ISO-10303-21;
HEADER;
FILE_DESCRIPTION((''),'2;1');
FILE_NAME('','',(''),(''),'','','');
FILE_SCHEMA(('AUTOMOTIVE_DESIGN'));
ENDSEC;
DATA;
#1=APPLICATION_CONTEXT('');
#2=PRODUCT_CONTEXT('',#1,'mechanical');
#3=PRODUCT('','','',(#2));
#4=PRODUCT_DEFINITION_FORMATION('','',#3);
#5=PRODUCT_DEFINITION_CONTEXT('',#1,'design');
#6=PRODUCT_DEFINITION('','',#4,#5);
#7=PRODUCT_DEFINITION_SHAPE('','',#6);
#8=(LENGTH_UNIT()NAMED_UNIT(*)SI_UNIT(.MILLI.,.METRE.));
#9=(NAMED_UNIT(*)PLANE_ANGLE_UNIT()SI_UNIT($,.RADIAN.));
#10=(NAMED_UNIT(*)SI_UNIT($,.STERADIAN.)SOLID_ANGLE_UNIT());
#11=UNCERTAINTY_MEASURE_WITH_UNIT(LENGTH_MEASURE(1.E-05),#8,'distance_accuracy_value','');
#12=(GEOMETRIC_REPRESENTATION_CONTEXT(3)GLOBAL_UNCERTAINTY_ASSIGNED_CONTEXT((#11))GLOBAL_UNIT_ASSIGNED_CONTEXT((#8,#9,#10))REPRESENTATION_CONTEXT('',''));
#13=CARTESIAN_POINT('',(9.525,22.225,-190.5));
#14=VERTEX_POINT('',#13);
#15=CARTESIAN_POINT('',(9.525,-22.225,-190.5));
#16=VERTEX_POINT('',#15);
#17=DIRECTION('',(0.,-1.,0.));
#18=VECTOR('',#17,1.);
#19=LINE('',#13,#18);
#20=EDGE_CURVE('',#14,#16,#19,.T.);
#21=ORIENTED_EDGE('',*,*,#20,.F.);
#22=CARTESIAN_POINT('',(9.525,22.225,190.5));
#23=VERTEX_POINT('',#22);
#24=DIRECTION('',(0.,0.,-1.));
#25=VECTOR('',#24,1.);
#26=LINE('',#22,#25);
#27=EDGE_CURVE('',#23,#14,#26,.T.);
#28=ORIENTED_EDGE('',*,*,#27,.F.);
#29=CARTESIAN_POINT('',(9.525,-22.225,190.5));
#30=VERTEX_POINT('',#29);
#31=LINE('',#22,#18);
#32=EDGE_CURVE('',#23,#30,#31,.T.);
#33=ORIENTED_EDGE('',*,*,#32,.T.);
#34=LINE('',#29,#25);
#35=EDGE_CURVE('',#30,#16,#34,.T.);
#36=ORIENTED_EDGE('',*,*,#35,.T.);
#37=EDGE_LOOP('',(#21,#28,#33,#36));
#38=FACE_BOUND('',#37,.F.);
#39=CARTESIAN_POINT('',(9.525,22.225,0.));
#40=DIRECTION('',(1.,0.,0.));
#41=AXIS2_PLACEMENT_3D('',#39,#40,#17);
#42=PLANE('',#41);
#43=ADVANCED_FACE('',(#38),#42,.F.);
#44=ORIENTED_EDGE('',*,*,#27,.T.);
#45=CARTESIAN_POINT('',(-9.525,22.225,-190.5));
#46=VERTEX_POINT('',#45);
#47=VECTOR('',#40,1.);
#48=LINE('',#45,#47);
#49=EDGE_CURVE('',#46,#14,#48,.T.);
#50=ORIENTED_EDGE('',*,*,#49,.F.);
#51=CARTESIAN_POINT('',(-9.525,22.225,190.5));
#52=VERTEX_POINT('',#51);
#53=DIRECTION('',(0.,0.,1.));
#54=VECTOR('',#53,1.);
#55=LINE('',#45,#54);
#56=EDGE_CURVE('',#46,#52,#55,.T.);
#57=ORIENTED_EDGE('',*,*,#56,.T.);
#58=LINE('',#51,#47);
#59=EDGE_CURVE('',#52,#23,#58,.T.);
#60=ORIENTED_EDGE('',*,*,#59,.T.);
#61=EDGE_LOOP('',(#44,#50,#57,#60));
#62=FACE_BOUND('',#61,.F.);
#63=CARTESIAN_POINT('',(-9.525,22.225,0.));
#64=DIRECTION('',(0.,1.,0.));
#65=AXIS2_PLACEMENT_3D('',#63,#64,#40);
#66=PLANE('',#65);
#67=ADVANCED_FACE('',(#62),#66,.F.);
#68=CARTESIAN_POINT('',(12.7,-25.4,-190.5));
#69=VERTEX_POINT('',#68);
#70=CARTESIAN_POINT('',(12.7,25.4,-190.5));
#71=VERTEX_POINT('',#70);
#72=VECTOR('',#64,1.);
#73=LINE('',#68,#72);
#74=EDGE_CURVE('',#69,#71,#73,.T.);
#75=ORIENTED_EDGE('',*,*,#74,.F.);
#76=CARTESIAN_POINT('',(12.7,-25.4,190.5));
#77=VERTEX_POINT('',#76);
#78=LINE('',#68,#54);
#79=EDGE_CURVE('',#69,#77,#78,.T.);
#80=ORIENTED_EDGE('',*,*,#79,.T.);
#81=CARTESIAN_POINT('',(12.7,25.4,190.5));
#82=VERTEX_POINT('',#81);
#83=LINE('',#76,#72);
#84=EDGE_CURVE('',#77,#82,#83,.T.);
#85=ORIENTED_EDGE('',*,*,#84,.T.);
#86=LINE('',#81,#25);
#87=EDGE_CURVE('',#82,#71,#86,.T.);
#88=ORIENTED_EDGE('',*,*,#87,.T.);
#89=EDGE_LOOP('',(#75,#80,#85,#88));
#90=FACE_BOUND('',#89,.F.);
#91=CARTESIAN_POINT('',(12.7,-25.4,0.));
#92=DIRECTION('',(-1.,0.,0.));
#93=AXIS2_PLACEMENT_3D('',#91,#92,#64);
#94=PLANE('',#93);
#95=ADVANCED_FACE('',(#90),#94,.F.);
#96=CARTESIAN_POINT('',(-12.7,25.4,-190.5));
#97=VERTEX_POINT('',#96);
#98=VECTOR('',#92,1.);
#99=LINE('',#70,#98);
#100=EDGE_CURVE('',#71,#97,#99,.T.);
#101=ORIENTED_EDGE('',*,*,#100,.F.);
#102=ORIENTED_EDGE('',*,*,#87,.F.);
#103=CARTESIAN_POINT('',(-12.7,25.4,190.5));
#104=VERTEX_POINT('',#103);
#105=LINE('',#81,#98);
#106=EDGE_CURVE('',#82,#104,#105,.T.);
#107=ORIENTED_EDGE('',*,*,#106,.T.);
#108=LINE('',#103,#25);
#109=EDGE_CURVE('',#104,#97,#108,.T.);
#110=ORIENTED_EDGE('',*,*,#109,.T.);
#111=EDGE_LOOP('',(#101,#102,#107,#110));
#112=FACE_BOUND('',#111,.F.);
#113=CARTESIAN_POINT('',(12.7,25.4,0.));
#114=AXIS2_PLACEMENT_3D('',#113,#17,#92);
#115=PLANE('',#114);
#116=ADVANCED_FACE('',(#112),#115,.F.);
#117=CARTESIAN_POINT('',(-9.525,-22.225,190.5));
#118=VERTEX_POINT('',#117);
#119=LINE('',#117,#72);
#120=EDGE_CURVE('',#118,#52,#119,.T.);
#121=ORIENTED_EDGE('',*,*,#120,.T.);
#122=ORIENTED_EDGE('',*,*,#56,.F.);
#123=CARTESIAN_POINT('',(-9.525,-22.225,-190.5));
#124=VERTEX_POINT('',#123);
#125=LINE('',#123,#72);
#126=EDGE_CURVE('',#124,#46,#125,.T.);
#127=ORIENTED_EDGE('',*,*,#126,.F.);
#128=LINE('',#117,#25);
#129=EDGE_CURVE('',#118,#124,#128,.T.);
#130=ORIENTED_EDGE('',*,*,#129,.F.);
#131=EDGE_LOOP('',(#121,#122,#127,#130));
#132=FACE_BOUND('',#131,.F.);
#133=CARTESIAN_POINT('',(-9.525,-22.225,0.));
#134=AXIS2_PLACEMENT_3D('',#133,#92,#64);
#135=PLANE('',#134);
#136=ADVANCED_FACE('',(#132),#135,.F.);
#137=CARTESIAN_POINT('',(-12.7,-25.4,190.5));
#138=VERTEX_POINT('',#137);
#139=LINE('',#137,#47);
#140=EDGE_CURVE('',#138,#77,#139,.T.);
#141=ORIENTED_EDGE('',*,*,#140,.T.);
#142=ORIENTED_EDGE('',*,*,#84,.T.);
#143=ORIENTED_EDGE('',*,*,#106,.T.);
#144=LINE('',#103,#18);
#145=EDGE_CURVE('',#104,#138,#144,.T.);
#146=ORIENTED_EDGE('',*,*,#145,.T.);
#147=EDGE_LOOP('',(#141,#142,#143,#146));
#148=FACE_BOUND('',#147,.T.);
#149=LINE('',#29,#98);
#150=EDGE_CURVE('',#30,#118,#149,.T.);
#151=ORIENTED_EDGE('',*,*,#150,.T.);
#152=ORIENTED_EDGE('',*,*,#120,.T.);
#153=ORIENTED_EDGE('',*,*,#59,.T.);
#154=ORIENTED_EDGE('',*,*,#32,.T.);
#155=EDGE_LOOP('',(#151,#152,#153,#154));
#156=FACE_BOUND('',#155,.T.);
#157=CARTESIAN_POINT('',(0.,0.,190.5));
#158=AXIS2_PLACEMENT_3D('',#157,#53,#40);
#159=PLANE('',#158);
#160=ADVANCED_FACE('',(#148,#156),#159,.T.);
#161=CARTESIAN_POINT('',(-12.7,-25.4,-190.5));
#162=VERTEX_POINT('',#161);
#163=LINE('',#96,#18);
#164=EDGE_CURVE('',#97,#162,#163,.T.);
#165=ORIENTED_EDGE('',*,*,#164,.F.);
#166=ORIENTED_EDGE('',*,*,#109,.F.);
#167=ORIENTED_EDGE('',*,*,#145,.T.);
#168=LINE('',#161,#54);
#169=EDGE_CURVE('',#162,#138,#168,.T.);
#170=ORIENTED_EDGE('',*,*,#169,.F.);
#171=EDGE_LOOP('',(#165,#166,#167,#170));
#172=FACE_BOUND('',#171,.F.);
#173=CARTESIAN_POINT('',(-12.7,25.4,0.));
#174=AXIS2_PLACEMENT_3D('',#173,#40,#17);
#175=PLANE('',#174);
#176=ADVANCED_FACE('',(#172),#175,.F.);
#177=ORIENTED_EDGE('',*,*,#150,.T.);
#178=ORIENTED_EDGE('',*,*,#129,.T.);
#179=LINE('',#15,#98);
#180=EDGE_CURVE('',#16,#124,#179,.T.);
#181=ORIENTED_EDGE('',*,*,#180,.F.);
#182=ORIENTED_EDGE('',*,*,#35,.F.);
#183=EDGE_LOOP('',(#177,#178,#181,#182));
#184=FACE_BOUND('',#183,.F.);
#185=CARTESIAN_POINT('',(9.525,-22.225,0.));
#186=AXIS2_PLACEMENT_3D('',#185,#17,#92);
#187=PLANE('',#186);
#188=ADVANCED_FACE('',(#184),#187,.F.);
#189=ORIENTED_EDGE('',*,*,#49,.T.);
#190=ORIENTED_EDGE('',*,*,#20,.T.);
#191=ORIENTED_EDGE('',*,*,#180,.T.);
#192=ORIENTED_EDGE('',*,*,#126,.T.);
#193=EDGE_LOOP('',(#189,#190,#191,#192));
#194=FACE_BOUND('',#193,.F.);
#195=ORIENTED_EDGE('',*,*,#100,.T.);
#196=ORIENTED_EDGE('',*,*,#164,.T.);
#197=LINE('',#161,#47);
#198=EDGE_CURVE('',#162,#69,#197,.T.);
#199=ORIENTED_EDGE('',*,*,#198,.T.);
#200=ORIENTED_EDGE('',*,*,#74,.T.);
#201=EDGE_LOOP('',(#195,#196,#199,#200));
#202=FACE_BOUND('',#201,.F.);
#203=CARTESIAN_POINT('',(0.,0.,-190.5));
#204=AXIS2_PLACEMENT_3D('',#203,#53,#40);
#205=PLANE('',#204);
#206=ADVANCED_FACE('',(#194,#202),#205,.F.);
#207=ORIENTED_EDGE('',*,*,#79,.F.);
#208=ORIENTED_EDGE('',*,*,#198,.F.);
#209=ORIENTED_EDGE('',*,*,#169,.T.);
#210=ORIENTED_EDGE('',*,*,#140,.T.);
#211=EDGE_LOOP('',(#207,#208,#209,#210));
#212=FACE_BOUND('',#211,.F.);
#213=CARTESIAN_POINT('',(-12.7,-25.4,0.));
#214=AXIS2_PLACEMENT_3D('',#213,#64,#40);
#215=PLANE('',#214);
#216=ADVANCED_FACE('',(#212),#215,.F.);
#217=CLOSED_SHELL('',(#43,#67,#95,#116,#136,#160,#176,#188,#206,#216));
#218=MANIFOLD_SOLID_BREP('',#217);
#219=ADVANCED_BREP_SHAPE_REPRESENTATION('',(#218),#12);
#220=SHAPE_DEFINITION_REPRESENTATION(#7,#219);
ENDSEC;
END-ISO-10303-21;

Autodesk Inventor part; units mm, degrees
ref_plane "YZ Plane" through (0, 0, 0) normal (1, 0, 0) x (0, 1, 0)
ref_plane "XZ Plane" through (0, 0, 0) normal (0, 1, 0) x (-1, 0, 0)
ref_plane "XY Plane" through (0, 0, 0) normal (0, 0, 1) x (1, 0, 0)
sketch "Sketch1" plane through (0, 0, 0) normal (0, 0, 1) x (1, 0, 0)
  line L0 (-12.7, -25.4) -> (12.7, -25.4)
  line L1 (12.7, -25.4) -> (12.7, 25.4)
  line L2 (12.7, 25.4) -> (-12.7, 25.4)
  line L3 (-12.7, 25.4) -> (-12.7, -25.4)
  line L4 (-12.7, -25.4) -> (12.7, 25.4) construction
  line L5 (12.7, -25.4) -> (-12.7, 25.4) construction
  line L6 (-9.525, 22.225) -> (9.525, 22.225)
  line L7 (9.525, 22.225) -> (9.525, -22.225)
  line L8 (9.525, -22.225) -> (-9.525, -22.225)
  line L9 (-9.525, -22.225) -> (-9.525, 22.225)
  point P0 (0, 0)
  dimension "width" = 25.4
  dimension "height" = 50.8
  dimension "thickness" = 3.175
extrude "Extrusion1" add sketch "Sketch1" along normal mid plane 381
properties part number "EL2-A-010" material "Aluminum 6061"
